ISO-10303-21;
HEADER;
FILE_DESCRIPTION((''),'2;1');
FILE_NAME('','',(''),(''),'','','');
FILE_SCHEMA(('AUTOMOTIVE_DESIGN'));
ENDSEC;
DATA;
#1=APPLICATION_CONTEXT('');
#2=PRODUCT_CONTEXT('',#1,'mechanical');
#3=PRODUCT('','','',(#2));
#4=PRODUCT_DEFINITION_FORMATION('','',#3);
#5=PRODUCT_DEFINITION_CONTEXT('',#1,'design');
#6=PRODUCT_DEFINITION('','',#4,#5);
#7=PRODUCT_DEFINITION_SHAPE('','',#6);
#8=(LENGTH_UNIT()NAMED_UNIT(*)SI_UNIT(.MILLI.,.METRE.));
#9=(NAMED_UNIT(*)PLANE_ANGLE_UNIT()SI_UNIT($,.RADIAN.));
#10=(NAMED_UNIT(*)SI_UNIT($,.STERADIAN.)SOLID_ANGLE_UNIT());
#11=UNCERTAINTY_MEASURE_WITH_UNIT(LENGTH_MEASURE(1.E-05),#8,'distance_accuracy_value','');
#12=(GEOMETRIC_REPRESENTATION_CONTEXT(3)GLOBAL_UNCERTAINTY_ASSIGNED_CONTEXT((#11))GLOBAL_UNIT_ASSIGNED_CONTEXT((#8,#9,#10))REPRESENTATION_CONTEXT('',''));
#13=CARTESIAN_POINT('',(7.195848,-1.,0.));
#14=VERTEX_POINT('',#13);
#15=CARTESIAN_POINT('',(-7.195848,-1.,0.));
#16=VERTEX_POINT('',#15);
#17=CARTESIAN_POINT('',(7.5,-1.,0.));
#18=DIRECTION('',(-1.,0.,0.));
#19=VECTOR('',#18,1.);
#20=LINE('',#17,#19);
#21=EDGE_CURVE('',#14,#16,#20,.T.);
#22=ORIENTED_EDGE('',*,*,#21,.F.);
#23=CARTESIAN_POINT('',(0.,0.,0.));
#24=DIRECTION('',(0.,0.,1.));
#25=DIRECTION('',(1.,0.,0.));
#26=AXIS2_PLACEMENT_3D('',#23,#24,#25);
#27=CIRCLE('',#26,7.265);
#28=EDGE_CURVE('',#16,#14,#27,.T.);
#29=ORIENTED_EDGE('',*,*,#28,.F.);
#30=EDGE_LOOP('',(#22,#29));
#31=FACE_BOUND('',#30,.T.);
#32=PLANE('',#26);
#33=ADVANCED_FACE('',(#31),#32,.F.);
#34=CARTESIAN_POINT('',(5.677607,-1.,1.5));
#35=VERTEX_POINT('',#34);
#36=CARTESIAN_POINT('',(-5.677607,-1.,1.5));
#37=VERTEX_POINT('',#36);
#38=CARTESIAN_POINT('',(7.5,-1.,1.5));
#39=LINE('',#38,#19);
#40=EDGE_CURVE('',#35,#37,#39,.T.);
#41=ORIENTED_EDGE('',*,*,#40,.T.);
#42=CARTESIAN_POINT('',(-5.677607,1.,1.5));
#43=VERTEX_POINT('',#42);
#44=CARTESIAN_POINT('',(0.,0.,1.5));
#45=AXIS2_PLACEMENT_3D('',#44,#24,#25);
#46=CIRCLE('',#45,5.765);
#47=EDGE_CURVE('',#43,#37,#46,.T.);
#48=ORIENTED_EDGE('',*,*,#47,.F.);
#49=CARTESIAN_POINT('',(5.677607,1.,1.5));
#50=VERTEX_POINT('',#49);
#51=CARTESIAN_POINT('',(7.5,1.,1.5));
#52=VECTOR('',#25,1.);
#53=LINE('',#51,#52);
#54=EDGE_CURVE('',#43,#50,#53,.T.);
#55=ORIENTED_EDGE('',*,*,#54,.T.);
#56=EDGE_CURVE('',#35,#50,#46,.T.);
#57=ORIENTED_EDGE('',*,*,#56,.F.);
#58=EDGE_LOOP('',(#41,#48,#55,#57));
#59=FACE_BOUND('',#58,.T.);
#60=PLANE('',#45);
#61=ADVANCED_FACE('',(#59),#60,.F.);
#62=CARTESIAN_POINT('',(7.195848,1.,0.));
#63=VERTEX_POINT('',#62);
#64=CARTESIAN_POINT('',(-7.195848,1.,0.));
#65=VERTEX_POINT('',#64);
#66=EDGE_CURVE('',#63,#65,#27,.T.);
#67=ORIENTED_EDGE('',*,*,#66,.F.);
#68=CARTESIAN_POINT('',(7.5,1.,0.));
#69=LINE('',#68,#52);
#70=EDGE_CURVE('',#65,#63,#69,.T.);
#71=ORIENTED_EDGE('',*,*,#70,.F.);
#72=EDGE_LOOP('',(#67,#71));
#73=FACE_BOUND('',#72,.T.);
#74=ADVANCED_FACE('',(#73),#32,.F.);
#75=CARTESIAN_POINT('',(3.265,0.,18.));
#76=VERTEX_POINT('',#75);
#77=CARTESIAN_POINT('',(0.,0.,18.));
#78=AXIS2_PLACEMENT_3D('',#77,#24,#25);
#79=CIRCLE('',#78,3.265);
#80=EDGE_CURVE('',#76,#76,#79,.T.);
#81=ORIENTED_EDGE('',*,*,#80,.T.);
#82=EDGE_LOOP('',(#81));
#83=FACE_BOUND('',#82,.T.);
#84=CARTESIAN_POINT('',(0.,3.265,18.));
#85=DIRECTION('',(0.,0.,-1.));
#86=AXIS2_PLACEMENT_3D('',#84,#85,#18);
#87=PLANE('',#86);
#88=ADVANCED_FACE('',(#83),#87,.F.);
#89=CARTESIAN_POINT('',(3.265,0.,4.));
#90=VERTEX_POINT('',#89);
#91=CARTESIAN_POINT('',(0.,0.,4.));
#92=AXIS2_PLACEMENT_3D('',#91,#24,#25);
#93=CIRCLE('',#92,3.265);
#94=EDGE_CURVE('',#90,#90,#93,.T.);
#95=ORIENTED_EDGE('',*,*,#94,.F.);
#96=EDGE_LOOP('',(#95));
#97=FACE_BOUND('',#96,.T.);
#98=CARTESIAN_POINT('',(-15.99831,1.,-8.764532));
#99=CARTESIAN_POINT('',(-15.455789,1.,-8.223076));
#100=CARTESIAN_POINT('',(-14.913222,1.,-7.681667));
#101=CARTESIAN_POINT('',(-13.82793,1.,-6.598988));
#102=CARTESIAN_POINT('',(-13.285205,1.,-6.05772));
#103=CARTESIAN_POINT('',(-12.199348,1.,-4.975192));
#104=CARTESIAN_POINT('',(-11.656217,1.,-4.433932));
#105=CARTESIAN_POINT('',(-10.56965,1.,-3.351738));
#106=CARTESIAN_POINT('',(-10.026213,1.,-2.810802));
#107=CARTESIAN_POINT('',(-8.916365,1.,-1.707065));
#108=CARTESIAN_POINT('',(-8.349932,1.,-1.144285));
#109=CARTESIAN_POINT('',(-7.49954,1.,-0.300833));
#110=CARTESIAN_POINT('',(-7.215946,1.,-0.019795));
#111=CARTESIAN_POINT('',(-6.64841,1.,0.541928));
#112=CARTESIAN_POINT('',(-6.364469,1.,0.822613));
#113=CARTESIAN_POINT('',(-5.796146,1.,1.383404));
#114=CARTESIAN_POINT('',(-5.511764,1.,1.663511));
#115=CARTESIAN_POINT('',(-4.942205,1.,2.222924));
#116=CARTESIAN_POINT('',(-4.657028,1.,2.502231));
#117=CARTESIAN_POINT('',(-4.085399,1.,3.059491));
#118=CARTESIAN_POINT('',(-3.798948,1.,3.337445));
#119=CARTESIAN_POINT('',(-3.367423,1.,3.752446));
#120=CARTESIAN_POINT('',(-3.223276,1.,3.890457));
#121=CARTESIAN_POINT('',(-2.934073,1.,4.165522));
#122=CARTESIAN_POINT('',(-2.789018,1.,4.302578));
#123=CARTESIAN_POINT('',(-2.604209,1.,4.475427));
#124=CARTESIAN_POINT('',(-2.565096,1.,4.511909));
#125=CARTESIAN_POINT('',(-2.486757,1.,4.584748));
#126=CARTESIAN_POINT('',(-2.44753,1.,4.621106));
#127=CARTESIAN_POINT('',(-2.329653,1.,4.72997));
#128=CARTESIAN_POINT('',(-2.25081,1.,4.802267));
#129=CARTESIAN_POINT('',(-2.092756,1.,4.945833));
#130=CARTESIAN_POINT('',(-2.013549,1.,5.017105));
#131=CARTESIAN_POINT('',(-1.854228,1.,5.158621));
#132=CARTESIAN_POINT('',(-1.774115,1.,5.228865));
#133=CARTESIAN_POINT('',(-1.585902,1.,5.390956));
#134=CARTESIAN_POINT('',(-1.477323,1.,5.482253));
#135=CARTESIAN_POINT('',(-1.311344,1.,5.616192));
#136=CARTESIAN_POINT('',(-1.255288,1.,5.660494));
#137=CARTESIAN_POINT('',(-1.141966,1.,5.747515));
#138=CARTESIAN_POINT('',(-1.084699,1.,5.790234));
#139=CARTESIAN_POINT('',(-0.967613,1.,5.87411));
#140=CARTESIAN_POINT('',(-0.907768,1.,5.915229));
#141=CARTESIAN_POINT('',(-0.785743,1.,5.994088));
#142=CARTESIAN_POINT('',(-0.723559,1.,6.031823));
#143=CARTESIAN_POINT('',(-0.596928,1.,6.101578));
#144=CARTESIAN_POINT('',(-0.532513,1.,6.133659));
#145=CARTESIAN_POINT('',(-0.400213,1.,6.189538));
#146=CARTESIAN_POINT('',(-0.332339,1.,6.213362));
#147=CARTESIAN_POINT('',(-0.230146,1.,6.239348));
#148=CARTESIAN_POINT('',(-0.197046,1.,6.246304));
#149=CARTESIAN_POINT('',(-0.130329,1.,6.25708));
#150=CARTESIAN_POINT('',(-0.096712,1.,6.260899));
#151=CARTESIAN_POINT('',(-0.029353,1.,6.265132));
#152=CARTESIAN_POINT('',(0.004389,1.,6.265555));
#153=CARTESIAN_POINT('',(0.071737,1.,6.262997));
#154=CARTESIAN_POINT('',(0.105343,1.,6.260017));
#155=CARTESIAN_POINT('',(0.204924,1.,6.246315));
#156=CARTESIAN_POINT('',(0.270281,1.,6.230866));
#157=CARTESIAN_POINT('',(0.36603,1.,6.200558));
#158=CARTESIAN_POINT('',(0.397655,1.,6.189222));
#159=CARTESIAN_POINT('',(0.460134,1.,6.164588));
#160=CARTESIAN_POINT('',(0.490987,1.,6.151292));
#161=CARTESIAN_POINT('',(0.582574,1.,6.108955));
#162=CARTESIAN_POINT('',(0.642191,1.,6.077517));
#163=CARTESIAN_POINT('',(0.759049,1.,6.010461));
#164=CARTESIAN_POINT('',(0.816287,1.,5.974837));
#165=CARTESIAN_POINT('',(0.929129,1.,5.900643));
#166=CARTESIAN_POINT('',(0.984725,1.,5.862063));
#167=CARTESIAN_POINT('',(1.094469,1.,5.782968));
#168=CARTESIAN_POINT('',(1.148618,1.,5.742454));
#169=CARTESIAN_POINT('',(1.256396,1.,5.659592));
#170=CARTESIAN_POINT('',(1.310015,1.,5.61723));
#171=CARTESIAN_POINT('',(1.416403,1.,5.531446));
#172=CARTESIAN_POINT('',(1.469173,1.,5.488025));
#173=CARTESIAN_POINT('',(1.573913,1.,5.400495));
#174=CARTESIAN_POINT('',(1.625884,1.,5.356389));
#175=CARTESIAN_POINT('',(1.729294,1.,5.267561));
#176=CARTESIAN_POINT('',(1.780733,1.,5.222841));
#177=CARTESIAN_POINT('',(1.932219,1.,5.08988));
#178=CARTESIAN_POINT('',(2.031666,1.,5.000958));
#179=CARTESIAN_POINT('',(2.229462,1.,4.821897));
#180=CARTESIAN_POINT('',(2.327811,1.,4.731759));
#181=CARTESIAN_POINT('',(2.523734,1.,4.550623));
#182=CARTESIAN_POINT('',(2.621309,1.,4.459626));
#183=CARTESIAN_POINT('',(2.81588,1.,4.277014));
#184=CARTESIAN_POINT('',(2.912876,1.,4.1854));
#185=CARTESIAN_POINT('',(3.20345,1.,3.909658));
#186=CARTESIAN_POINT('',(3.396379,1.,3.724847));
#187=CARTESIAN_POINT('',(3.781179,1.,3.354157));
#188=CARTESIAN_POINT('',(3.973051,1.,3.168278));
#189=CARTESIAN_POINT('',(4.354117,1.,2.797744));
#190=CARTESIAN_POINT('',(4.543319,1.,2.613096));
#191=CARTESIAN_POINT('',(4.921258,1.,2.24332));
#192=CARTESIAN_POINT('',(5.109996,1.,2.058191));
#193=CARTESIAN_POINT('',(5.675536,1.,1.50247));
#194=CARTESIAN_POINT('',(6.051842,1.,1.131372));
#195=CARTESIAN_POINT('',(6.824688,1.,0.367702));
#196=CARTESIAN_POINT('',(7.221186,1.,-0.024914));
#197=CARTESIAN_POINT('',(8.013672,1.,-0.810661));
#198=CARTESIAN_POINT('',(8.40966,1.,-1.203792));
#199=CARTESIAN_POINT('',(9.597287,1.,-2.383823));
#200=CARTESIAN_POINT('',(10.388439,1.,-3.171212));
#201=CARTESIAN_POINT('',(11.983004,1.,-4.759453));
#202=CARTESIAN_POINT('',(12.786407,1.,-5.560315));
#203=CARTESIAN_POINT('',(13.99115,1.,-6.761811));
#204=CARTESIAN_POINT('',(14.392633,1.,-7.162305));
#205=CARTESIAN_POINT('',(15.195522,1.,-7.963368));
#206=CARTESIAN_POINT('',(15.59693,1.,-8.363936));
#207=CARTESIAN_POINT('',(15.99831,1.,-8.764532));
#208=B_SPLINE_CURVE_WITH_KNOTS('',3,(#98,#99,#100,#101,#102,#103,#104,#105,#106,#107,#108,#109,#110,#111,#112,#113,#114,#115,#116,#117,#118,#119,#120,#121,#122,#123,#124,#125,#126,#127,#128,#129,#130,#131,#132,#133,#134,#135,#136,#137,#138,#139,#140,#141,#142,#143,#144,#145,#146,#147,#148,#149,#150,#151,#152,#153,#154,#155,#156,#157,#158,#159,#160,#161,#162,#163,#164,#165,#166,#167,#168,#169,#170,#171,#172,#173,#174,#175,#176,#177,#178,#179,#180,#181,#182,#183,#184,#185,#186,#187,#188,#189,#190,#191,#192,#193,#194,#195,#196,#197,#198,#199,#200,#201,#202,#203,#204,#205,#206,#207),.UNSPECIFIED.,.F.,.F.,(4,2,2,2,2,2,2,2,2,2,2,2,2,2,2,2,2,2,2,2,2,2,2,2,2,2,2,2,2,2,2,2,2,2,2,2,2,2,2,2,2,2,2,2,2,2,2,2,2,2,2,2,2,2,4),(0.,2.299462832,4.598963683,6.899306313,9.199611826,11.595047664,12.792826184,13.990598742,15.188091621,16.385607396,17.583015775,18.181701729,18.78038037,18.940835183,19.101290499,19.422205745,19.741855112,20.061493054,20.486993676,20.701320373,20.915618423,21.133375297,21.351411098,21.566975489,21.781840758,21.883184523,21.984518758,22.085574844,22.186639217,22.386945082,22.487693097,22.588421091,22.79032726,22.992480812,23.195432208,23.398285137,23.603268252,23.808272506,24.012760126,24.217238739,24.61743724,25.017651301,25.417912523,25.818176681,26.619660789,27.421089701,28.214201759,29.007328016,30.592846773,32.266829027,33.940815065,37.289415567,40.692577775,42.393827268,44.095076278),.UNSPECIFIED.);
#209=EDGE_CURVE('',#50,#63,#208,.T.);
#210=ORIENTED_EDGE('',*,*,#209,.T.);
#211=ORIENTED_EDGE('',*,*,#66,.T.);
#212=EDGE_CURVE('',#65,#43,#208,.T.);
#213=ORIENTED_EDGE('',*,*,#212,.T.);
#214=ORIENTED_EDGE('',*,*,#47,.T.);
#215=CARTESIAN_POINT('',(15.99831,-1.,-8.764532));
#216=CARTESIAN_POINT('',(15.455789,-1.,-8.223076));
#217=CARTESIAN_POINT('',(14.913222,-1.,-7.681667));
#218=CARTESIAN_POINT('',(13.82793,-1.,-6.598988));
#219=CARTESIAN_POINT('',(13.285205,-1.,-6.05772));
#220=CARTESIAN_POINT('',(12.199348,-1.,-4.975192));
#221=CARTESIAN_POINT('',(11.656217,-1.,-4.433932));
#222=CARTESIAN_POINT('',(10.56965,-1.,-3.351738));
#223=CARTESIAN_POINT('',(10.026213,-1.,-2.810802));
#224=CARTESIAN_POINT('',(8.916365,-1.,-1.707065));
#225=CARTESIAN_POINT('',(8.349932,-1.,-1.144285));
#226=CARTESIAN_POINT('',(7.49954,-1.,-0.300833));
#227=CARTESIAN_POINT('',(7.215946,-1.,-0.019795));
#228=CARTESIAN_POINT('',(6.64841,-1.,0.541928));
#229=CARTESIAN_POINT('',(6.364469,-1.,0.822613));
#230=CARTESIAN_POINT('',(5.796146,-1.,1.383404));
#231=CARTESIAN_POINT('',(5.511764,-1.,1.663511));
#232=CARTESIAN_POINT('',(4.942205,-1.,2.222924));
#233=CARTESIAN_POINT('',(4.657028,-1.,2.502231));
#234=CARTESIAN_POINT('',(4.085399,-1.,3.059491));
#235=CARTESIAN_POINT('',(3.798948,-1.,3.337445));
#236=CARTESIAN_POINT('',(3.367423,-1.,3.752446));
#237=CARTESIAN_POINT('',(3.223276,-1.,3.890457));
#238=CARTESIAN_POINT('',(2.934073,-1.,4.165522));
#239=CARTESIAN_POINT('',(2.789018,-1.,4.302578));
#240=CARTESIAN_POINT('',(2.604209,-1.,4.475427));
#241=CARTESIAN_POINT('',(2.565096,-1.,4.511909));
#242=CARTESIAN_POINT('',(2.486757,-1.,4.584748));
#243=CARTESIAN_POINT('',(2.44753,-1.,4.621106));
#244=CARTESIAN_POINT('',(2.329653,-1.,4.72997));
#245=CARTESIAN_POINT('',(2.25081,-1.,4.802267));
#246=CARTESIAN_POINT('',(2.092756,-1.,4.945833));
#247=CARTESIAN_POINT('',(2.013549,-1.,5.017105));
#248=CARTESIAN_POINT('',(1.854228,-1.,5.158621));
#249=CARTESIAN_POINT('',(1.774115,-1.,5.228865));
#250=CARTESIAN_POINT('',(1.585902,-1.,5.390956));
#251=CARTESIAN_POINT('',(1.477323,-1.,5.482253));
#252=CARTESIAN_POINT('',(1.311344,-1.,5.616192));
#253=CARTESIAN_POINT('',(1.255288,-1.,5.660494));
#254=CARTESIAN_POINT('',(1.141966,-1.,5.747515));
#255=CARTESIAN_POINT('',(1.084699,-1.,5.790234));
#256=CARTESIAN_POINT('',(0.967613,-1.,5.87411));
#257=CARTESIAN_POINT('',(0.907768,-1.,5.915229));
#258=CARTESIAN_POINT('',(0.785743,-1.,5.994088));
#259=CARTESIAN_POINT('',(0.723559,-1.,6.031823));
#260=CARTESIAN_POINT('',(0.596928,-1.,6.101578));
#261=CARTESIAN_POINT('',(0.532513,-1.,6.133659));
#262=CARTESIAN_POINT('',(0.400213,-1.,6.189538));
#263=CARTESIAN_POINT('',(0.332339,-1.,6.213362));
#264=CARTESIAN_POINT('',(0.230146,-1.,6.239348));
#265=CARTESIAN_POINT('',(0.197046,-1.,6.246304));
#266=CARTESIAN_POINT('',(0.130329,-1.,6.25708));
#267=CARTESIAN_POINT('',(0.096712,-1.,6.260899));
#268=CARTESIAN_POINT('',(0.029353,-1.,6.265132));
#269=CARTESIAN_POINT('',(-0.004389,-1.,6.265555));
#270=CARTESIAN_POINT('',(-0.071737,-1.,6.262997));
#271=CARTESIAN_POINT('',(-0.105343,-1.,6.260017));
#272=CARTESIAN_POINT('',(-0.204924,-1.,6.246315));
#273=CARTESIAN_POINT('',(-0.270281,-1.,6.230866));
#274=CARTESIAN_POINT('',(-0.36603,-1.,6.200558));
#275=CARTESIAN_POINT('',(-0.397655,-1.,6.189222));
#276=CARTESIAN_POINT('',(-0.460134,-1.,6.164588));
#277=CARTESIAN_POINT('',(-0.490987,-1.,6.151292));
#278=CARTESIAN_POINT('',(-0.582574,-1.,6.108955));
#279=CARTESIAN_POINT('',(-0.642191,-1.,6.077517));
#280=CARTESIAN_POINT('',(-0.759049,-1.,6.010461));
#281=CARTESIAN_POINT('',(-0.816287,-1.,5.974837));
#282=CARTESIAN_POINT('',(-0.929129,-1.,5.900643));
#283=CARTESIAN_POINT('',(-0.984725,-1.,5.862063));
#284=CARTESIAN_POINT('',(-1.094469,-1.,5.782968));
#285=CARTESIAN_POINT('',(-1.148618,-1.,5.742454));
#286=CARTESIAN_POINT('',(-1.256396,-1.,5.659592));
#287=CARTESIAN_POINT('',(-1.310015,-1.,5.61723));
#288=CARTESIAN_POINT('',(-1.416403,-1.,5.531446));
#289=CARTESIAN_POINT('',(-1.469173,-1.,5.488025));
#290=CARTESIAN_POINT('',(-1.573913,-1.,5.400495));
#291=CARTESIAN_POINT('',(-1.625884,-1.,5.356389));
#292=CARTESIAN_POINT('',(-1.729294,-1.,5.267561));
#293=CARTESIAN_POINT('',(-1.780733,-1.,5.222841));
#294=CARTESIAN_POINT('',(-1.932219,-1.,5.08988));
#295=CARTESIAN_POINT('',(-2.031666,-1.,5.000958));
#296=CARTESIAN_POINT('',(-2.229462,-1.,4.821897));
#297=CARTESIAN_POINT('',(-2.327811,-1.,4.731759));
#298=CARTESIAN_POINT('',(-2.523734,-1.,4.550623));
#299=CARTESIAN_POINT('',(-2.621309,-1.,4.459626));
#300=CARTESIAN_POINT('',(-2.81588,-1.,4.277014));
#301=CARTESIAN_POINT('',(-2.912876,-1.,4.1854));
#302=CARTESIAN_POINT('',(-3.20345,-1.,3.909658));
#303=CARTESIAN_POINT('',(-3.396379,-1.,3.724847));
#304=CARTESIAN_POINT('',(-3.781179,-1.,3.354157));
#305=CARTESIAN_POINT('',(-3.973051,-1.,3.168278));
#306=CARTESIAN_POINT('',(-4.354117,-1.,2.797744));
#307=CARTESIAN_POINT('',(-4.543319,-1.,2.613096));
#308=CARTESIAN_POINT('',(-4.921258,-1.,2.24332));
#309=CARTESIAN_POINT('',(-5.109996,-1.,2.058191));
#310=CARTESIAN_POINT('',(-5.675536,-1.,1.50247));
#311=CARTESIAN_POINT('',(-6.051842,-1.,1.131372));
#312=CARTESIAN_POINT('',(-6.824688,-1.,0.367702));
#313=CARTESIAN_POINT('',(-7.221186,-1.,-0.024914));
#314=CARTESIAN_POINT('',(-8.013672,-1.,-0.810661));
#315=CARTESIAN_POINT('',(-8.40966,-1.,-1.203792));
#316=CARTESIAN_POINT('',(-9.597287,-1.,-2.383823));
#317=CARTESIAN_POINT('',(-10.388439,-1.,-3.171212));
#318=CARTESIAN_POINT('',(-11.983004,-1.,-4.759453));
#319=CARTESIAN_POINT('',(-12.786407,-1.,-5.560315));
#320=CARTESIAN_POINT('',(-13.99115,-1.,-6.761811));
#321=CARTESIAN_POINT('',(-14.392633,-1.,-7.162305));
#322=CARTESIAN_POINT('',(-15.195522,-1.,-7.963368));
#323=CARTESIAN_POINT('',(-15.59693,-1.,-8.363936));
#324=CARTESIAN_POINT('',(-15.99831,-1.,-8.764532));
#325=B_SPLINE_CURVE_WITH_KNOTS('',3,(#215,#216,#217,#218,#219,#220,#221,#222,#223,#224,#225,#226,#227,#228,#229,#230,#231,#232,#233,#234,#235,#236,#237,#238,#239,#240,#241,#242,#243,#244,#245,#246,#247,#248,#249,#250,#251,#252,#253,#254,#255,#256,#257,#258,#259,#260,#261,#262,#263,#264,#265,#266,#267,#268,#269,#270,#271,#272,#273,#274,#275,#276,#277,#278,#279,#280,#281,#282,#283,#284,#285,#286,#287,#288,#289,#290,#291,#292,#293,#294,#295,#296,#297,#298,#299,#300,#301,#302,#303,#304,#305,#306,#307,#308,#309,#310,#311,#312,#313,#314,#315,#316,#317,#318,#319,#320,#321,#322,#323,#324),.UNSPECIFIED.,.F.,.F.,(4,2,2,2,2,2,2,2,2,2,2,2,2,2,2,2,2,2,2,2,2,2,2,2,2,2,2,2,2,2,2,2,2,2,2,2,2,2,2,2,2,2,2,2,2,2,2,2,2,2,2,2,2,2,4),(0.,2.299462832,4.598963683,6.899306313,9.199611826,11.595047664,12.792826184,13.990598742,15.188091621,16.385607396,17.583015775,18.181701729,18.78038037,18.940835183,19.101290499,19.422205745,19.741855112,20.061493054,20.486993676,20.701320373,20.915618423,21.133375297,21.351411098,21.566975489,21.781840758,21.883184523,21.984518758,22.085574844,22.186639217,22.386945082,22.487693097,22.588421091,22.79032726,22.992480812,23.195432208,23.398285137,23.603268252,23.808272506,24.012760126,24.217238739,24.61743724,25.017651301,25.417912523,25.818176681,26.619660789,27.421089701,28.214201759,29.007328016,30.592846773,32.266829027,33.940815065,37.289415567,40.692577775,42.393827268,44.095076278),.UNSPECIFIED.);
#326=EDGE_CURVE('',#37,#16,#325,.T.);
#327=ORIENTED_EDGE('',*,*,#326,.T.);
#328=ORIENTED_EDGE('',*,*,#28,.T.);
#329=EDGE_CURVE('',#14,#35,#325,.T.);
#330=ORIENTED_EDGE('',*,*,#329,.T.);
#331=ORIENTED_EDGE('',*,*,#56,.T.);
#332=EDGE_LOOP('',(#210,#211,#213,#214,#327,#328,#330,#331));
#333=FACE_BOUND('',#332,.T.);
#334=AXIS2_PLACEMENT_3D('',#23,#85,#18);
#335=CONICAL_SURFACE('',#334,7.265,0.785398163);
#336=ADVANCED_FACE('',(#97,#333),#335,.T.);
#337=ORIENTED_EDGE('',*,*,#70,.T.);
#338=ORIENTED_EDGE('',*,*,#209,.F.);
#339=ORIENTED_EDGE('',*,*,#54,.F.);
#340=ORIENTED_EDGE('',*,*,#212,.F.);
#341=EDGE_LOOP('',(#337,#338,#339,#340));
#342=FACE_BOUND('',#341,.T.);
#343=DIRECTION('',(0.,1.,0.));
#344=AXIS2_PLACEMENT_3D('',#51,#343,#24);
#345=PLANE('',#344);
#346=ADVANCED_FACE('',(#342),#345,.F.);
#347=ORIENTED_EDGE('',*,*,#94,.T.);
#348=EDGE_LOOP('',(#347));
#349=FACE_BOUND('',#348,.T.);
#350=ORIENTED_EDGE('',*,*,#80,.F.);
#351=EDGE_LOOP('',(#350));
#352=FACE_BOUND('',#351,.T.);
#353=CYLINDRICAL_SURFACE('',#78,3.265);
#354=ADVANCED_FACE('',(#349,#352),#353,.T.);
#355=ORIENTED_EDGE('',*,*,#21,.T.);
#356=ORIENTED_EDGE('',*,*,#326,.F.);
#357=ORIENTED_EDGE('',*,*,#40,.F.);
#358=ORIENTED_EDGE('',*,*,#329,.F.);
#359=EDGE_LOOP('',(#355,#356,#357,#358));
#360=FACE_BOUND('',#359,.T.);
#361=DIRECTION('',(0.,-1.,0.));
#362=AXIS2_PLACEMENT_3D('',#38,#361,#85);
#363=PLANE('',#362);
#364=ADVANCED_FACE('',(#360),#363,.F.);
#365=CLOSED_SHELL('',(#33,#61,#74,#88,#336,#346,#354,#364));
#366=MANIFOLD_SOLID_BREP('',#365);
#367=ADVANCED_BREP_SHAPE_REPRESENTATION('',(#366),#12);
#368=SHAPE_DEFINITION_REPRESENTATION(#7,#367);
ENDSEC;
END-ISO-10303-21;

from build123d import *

# Parameters (mm, degrees)
ESBO_O2_W             = 15
ESBO_O2_H             = 2
CORTE_EXTRUS_O1_DEPTH = 1.5


with BuildPart() as part:
    # Esboço1 → Revolução1 (revolve)
    with BuildSketch(Plane(origin=(0, 0, 0), x_dir=(0, 0, -1), z_dir=(1, 0, 0)), mode=Mode.PRIVATE) as revolu_o1_sk:
        Polygon((0, 0), (0, 7.265), (-4, 3.265), (-18, 3.265), (-18, 0), align=None)
    revolve(revolu_o1_sk.sketch.rotate(Axis((0, 0, 18), (0, 0, -1)), 90), axis=Axis((0, 0, 18), (0, 0, -1)))

    # Esboço2 → Corte-extrusão1 (cut)
    with BuildSketch(Plane(origin=(0, 0, 0), x_dir=(-1, 0, 0), z_dir=(0, 0, -1))):
        Rectangle(ESBO_O2_W, ESBO_O2_H)
    extrude(amount=-CORTE_EXTRUS_O1_DEPTH, mode=Mode.SUBTRACT)


solid = part.part
